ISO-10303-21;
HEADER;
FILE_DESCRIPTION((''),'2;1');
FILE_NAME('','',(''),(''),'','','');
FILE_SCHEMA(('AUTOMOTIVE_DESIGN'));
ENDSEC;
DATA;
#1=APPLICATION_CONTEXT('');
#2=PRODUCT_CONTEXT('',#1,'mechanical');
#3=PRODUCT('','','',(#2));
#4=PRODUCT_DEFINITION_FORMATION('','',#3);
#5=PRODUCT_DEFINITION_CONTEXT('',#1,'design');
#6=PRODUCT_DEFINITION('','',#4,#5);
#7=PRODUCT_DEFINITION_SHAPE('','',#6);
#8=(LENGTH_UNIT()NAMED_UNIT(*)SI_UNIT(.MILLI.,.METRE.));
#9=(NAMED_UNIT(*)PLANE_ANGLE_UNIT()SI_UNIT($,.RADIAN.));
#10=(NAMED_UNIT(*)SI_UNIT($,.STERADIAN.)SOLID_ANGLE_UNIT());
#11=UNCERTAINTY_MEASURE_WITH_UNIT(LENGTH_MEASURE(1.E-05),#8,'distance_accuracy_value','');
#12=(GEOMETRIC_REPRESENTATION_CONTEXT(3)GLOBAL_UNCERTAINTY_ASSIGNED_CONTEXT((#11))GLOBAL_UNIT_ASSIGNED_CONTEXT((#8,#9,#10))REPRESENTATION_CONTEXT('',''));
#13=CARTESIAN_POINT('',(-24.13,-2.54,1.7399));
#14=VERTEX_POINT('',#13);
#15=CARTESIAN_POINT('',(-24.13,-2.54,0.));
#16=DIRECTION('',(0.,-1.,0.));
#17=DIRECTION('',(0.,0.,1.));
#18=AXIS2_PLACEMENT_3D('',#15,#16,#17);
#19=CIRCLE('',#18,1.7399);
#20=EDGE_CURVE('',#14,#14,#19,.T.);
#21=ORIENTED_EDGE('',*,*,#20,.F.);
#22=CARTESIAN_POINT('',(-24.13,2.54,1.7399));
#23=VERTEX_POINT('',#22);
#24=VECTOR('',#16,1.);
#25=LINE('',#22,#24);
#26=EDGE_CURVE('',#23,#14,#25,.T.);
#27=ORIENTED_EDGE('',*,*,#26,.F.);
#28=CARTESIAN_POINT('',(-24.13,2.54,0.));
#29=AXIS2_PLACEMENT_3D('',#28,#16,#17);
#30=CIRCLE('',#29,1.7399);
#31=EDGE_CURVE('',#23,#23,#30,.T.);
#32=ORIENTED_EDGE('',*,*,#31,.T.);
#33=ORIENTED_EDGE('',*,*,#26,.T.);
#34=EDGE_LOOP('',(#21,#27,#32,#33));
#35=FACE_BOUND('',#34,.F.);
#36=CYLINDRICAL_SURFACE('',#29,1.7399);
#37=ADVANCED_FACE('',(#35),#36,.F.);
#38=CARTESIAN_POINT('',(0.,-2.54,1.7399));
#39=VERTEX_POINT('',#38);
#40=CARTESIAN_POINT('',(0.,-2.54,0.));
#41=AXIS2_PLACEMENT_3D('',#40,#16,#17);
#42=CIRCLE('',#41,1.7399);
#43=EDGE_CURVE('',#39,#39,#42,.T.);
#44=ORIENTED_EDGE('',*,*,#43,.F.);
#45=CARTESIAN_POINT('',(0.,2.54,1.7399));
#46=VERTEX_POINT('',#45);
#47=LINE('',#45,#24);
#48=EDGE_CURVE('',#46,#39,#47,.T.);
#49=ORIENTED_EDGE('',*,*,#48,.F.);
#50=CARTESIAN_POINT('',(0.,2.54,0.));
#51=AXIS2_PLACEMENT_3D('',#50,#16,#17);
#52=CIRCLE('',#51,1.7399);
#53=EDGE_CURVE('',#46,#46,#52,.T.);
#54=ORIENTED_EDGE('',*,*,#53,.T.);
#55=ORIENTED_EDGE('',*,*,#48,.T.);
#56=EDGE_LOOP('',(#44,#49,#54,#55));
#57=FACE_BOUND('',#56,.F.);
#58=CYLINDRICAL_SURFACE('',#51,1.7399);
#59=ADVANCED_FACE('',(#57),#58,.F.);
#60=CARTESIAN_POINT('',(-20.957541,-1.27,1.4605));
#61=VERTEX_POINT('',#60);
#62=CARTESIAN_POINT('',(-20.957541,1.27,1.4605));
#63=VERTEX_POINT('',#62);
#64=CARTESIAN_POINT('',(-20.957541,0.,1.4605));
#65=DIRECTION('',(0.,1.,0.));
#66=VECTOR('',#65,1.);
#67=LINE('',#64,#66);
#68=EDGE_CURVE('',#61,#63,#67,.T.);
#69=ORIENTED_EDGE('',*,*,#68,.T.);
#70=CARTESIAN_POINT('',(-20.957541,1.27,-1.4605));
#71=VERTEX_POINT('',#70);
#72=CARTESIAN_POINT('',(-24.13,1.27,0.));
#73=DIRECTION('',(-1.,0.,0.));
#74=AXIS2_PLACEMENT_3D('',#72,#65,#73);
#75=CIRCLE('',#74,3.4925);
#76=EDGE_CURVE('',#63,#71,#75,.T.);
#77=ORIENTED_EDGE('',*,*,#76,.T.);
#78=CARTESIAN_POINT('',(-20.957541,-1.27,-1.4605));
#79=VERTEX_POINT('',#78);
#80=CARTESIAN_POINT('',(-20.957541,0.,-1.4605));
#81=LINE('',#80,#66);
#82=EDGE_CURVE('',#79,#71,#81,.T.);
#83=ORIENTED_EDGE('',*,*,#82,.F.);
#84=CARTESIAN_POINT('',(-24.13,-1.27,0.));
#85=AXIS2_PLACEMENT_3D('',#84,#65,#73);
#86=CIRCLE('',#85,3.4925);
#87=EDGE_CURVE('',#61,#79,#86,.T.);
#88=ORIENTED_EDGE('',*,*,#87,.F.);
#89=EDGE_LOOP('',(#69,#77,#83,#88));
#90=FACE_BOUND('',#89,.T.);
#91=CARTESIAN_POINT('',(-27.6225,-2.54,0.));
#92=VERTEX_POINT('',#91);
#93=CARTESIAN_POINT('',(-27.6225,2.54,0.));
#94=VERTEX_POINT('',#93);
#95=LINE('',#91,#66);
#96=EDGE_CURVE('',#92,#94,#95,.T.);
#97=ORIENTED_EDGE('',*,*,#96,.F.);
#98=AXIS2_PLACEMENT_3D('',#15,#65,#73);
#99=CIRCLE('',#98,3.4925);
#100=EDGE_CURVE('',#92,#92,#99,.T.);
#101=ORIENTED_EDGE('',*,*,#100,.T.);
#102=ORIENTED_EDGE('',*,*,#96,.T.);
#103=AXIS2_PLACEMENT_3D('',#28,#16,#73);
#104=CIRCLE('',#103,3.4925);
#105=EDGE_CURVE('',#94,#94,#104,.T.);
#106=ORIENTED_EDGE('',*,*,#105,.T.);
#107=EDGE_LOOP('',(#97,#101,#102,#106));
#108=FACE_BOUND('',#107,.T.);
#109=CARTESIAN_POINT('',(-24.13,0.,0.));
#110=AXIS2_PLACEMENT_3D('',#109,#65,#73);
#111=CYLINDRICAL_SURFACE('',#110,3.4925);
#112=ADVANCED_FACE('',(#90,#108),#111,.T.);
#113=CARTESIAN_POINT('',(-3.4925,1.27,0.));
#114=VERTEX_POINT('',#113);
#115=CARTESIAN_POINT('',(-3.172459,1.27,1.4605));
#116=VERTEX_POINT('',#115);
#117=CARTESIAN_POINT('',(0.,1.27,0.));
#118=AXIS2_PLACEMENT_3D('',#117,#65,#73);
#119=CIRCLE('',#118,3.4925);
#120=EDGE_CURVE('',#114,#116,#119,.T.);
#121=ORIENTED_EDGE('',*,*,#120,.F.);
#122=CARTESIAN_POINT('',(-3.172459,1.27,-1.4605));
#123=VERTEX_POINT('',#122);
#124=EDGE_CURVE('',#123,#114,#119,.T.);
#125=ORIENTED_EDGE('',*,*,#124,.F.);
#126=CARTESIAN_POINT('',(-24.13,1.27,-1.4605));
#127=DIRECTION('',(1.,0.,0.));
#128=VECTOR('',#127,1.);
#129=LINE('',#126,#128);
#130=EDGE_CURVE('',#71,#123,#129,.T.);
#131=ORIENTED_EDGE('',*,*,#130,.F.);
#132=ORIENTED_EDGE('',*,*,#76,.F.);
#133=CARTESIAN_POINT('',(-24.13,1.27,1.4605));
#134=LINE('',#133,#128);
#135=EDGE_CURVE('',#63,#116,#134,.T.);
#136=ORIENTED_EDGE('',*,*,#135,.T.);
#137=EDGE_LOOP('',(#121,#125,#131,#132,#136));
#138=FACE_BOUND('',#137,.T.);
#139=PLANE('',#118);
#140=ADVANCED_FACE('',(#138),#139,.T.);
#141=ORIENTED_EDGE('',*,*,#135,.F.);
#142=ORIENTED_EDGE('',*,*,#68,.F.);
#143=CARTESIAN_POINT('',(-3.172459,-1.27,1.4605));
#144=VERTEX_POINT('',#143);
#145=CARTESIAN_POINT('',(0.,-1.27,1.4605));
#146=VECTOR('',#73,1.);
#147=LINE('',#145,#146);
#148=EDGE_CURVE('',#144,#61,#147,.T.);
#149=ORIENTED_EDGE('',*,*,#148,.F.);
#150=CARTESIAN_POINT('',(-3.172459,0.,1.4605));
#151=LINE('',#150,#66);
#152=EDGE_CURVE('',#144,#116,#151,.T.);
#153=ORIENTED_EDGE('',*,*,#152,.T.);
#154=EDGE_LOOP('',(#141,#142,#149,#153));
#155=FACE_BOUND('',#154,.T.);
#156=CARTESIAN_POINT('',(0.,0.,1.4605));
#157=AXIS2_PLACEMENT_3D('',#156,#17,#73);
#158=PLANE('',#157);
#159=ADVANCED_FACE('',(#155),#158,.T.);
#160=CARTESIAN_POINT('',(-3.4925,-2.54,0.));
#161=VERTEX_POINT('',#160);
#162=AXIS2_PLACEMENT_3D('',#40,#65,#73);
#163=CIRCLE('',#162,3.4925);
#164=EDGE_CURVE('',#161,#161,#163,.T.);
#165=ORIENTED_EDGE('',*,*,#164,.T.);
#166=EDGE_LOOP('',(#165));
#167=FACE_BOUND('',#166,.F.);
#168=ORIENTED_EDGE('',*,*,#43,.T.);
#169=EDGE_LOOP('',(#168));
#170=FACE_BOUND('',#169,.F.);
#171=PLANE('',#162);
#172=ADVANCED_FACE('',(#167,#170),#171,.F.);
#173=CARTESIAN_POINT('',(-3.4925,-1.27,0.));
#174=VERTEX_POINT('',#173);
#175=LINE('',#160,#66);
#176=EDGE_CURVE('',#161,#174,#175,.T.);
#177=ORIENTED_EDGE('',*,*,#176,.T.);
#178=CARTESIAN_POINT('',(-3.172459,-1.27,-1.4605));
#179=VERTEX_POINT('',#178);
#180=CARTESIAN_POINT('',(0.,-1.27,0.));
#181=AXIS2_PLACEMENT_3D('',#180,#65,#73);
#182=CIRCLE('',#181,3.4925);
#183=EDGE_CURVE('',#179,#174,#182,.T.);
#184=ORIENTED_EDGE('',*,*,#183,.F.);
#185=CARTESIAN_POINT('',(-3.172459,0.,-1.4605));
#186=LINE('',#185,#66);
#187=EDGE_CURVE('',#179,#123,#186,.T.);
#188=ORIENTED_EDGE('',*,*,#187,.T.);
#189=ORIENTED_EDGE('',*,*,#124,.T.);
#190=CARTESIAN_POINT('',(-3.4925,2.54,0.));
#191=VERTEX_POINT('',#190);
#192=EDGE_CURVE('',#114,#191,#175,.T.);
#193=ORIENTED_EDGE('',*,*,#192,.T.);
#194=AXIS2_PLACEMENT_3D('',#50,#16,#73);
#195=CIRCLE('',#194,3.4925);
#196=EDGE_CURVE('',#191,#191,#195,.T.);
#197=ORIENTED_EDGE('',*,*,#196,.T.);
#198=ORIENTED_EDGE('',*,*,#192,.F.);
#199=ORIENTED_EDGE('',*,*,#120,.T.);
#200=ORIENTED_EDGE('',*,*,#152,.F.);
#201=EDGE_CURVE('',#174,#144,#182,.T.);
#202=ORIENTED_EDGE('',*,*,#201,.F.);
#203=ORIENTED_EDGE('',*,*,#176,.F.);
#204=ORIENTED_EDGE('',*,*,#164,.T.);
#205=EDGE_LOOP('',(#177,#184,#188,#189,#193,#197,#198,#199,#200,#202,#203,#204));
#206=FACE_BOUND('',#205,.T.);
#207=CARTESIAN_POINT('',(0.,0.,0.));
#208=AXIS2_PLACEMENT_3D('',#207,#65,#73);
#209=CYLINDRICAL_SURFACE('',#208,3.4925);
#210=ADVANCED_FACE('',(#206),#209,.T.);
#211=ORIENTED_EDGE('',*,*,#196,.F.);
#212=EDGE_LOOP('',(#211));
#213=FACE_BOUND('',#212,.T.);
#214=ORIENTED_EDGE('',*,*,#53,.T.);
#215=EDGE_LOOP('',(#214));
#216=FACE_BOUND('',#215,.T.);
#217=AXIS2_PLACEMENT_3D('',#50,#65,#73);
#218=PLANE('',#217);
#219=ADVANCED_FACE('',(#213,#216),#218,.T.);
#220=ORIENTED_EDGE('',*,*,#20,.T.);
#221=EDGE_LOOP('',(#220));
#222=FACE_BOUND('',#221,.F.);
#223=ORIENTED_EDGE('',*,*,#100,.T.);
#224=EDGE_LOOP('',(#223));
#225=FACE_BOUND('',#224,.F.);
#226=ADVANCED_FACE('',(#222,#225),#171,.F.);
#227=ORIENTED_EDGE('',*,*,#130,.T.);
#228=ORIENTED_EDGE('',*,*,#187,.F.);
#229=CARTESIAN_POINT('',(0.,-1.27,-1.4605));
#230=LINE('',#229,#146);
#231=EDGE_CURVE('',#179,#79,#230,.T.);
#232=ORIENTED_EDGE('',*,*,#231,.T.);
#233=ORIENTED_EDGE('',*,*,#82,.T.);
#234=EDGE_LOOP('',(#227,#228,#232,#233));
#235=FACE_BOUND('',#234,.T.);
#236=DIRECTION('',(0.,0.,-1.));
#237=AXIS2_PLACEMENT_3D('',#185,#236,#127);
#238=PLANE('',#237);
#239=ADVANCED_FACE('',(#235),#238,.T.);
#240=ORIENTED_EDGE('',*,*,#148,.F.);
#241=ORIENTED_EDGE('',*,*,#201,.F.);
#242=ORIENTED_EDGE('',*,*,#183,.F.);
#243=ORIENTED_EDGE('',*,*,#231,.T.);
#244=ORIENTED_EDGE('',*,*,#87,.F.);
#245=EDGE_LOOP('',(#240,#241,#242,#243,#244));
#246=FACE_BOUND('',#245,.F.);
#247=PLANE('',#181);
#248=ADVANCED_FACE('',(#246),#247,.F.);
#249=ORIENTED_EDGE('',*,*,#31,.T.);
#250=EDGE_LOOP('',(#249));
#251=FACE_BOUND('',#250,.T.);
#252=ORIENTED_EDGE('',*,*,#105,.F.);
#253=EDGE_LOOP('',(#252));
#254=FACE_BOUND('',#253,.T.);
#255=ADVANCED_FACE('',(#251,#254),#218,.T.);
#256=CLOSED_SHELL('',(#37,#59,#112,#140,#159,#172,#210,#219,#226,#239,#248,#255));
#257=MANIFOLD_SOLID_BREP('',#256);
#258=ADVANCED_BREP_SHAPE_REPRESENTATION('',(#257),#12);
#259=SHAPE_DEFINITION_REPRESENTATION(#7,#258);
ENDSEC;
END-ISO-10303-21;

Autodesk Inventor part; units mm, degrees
ref_plane "YZ Plane" through (0, 0, 0) normal (1, 0, 0) x (0, 1, 0)
ref_plane "XZ Plane" through (0, 0, 0) normal (0, 1, 0) x (-1, 0, 0)
ref_plane "XY Plane" through (0, 0, 0) normal (0, 0, 1) x (1, 0, 0)
sketch "Sketch1" plane through (0, 0, 0) normal (0, 1, 0) x (-1, 0, 0)
  circle A0 centre (0, 0) radius 3.4925
  circle A1 centre (24.13, 0) radius 3.4925
  line L0 (0, 1.4605) -> (24.13, 1.4605)
  line L1 (24.13, 1.4605) -> (24.13, -1.4605)
  line L2 (24.13, -1.4605) -> (0, -1.4605)
  line L3 (0, -1.4605) -> (0, 1.4605)
  dimension "d0" = 6.985
  dimension "d1" = 2.921
  dimension "d2" = 1.4605
  dimension "d3" = 24.13
  dimension "d4" = 6.985
extrude "Extrusion1" add sketch "Sketch1" along normal mid plane 5.08 contours A0 L2 L3 L0 | L0 L3 L2 A0 | L0 L1 L2 A1 | A1 L2 L1 L0
sketch "Sketch2" plane through (0, 0, 0) normal (0, 1, 0) x (-1, 0, 0)
  circle A0 centre (0, 0) radius 3.4925
  circle A1 centre (24.13, 0) radius 3.4925
  line L0 (0, 1.4605) -> (24.13, 1.4605)
  line L1 (24.13, 1.4605) -> (24.13, -1.4605)
  line L2 (24.13, -1.4605) -> (0, -1.4605)
  line L3 (0, -1.4605) -> (0, 1.4605)
  dimension "d7" = 6.985
  dimension "d8" = 2.921
  dimension "d9" = 1.4605
  dimension "d10" = 24.13
  dimension "d11" = 6.985
extrude "Extrusion2" add sketch "Sketch2" along normal mid plane 2.54 contours A0 L2 L3 L0 | A0 L0 A1 L2 | L0 L1 L2 A1 picked at (1.1642, 0) picked at (22.9658, 0)
hole "Hole1" at (-24.13, 2.54, 0) direction (0, -1, 0) diameter 3.4798 end through all
hole "Hole3" at (0, 2.54, 0) direction (0, -1, 0) diameter 3.4798 end through all
equation "\"d0\" = d4"
equation "\"d2\" = 0.5 * d1"
equation "\"d7\" = d11"
equation "\"d9\" = 0.5 * d8"
properties part number "Crankarm"
